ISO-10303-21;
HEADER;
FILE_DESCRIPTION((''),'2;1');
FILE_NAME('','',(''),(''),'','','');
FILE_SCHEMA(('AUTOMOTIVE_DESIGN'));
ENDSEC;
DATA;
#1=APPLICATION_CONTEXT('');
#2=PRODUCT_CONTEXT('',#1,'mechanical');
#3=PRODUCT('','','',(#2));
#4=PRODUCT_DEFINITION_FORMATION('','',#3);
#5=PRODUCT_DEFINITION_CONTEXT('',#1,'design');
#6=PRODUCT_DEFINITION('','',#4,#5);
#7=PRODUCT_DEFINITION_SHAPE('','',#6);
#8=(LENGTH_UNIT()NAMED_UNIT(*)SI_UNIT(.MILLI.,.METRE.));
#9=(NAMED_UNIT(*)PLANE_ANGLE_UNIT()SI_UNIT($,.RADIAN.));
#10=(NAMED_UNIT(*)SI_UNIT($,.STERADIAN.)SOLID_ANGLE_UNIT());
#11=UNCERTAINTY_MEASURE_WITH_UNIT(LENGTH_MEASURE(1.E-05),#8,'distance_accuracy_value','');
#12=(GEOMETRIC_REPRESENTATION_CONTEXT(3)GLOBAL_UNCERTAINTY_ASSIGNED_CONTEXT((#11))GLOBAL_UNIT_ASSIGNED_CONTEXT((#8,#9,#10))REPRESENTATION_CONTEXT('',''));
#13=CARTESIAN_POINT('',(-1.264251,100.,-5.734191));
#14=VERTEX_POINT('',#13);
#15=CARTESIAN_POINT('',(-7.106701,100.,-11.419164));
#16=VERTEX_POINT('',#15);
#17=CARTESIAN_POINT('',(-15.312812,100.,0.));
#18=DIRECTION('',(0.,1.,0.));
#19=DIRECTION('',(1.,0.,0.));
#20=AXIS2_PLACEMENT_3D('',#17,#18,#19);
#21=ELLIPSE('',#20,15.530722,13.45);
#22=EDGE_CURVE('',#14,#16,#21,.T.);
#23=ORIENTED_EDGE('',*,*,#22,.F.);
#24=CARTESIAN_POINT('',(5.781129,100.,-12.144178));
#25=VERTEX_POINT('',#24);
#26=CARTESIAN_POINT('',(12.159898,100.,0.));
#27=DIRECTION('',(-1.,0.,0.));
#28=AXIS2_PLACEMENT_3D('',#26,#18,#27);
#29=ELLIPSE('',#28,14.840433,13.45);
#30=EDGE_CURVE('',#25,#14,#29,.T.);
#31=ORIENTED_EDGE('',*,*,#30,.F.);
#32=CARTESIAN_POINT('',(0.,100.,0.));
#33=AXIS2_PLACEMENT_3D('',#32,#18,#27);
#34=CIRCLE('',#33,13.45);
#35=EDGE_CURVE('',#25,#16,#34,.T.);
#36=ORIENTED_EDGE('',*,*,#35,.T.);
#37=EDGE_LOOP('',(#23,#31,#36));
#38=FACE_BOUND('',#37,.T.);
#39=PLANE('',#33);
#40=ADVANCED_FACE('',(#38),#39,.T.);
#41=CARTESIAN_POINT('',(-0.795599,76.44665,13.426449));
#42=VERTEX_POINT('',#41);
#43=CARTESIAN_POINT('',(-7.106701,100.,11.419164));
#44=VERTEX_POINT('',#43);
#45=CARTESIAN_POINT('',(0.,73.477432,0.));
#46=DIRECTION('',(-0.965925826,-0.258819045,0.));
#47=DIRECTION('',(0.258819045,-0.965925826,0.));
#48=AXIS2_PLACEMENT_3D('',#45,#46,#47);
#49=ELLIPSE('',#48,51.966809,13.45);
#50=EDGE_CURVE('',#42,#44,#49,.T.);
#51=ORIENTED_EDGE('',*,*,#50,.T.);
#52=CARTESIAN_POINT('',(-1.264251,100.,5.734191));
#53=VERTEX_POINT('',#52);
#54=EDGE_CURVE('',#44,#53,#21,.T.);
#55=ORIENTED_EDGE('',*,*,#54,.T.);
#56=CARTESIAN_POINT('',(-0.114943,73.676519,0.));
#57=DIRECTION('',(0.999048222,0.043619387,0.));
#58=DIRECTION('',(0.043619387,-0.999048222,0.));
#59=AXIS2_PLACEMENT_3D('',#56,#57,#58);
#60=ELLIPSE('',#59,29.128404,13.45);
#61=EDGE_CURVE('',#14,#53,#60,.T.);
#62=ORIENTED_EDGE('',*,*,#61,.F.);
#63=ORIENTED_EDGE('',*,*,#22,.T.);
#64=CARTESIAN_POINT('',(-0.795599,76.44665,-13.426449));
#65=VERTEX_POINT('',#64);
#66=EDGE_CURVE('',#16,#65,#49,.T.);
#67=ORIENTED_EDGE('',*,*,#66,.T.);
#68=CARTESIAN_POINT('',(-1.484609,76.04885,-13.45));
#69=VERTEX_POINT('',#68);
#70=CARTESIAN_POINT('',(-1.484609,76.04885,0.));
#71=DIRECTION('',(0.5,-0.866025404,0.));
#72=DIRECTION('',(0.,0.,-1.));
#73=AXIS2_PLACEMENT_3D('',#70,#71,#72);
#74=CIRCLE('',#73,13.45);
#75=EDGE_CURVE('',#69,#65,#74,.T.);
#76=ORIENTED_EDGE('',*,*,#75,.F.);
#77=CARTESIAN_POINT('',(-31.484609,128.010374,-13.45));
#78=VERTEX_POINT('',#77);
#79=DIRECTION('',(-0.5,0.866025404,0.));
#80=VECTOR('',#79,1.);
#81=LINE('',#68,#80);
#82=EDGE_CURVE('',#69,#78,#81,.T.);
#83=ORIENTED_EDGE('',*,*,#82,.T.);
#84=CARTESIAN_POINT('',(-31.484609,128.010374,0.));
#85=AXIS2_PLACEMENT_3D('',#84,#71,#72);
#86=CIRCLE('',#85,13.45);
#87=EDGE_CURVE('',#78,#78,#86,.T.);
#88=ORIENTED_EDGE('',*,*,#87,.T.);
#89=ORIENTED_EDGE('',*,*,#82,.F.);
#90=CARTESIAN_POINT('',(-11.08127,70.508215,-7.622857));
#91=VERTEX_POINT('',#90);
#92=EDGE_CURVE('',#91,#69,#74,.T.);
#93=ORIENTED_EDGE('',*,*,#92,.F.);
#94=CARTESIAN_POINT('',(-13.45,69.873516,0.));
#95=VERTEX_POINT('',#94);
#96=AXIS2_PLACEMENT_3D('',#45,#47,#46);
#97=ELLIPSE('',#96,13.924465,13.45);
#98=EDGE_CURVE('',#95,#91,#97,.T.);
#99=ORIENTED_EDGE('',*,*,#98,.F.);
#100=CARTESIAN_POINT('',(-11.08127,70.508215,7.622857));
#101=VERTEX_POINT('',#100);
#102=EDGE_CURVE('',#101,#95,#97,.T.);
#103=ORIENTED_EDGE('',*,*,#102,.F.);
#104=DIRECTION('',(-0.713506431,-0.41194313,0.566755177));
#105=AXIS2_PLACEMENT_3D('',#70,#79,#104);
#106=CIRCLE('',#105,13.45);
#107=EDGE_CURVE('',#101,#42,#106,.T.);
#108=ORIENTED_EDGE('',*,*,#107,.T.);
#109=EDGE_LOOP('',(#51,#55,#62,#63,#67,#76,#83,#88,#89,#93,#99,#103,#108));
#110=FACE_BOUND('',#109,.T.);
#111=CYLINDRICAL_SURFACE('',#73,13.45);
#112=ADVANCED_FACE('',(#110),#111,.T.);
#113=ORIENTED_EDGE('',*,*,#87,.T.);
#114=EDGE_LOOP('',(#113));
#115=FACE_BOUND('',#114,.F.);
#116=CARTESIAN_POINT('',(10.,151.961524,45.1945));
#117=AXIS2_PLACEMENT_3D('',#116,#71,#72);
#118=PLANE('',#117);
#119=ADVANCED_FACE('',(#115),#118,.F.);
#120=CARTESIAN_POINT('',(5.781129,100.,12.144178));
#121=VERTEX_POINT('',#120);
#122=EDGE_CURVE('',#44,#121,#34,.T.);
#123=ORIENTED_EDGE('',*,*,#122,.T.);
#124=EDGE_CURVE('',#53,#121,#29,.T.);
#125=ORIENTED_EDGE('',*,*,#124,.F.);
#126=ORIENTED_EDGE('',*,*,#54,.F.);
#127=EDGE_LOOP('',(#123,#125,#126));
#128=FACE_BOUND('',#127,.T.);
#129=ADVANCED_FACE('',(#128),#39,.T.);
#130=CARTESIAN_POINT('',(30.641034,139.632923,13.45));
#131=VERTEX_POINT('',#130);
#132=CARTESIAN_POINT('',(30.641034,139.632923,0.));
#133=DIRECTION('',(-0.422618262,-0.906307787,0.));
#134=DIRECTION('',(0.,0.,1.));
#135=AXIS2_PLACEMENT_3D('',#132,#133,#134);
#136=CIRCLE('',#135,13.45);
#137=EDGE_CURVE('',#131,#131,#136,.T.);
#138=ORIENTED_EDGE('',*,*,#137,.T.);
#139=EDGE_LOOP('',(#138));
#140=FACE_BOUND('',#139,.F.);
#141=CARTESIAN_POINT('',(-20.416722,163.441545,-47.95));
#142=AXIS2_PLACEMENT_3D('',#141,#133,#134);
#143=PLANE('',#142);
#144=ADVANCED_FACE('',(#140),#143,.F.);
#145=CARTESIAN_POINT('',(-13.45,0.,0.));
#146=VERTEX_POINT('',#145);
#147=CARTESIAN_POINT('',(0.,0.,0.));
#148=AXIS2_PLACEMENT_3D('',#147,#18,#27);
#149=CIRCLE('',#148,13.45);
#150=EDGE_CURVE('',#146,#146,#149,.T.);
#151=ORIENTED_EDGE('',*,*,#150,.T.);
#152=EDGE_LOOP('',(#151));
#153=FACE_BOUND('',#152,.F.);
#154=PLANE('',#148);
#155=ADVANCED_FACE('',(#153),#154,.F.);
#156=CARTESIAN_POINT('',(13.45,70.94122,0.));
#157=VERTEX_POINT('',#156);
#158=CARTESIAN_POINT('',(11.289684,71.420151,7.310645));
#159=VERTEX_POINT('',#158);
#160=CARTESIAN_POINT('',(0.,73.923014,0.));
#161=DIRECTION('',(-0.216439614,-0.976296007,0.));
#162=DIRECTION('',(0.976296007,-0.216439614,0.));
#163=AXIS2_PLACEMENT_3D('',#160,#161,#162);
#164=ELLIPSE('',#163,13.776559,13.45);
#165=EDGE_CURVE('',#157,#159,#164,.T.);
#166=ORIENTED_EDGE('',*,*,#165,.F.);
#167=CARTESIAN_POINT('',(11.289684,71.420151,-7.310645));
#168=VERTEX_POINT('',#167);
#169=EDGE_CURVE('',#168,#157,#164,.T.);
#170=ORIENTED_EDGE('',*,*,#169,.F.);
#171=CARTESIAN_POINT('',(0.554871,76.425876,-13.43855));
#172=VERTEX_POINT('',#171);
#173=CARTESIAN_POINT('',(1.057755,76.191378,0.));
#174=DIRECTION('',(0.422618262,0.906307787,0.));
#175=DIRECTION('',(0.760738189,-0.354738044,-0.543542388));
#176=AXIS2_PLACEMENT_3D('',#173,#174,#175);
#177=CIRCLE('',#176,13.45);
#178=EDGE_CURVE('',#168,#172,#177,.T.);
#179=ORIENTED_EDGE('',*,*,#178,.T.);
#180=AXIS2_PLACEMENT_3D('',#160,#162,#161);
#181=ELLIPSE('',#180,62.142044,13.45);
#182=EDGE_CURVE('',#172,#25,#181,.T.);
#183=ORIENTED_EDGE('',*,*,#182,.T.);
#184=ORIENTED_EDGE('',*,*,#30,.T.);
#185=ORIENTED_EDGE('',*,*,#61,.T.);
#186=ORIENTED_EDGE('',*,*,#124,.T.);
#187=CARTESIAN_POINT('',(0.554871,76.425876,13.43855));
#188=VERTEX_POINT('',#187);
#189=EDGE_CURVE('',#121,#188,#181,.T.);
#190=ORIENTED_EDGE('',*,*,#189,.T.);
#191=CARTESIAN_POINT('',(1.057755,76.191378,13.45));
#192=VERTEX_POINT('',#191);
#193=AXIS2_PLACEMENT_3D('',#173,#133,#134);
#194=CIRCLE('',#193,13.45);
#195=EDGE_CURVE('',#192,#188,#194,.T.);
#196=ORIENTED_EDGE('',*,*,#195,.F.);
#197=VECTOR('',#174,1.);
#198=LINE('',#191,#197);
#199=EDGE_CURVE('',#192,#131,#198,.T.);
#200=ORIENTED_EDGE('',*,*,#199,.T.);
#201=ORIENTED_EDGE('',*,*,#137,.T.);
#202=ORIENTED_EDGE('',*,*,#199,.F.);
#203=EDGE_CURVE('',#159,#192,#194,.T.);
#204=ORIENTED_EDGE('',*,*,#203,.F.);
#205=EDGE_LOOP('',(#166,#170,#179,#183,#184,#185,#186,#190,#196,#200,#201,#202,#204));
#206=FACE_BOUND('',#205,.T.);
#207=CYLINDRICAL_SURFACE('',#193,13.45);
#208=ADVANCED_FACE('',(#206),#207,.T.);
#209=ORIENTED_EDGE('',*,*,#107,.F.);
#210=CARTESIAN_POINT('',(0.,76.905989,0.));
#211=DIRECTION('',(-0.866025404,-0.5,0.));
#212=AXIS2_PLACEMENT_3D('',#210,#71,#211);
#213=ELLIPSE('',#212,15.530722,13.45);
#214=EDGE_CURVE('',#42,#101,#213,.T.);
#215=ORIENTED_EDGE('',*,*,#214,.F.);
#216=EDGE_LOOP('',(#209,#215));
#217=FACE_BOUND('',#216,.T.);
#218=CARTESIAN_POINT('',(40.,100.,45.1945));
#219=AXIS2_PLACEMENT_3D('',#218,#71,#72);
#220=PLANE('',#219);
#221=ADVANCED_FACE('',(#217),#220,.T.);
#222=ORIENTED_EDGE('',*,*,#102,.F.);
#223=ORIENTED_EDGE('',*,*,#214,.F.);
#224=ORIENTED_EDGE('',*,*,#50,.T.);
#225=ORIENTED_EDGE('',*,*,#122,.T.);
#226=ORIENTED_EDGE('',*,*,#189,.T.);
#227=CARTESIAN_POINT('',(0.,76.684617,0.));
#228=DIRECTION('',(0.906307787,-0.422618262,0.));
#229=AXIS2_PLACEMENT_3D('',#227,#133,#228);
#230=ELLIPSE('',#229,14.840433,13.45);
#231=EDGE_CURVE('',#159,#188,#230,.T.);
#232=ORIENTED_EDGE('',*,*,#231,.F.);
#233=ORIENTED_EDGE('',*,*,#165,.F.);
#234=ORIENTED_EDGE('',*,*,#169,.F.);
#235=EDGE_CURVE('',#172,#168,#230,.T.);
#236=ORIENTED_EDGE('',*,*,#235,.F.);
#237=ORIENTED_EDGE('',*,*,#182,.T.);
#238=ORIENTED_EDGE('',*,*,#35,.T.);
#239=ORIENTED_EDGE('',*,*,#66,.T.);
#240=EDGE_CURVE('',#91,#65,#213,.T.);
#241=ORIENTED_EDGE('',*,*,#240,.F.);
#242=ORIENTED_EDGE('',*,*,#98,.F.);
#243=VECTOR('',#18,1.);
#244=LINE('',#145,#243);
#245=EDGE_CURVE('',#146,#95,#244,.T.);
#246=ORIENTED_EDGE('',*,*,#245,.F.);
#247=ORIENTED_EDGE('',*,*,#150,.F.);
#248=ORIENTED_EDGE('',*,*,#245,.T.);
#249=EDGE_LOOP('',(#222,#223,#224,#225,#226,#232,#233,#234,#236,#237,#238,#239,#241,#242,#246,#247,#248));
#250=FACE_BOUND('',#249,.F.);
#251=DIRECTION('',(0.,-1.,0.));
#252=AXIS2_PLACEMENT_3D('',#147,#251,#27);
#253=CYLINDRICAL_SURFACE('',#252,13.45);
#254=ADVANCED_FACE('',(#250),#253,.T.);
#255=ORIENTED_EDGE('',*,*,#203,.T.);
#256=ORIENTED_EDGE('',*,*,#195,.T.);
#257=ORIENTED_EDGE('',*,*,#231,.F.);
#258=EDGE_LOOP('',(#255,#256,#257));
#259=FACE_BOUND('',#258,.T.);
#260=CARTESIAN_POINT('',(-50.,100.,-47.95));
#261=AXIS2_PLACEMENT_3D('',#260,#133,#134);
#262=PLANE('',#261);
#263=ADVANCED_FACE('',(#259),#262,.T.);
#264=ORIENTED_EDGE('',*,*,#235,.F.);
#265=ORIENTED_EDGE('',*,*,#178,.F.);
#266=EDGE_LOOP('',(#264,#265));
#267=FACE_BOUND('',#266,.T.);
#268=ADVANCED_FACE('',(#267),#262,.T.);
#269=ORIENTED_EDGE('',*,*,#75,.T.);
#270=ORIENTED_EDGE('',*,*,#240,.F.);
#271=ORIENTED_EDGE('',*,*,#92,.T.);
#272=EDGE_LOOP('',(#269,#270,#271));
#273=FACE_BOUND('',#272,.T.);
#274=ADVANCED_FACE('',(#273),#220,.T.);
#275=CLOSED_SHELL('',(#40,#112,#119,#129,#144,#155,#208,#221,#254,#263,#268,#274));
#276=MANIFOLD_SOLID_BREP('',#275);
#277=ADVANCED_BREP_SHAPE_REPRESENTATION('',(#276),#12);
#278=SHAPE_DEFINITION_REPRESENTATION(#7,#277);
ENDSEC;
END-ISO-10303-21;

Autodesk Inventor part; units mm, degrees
ref_plane "YZ Plane" through (0, 0, 0) normal (1, 0, 0) x (0, 1, 0)
sketch "草图1" plane through (0, 0, 0) normal (0, 1, 0) x (-1, 0, 0)
  circle A0 centre (0, 0) radius 13.45
  dimension "d0" = 26.9
extrude "拉伸1" add sketch "草图1" along normal blind 100
sketch "草图2" plane through (0, 100, 0) normal (0, 1, 0) x (1, 0, 0)
  line L0 (40, -45.1945) -> (40, 45.1945)
  line L1 (0, 0) -> (40, 0) construction
  line L2 (-50, 47.95) -> (-50, -45.1945)
  dimension "d3" = 40
  dimension "d7" = 50
ref_plane "工作平面1" through (40, 100, 45.1945) normal (0.5, -0.866, 0) x (0, 0, -1)
sketch "草图3" plane through (40, 100, 45.1945) normal (0.5, -0.866, 0) x (0, 0, -1)
  circle A0 centre (45.1945, -47.9023) radius 13.45
  line L0 (31.7445, -84.641) -> (31.7445, -34.641) projected
  line L1 (58.6445, -84.641) -> (58.6445, -34.641) projected
  point P0 (45.1945, -84.641)
extrude "拉伸2" add sketch "草图3" against normal blind 60
ref_plane "工作平面2" through (-50, 100, -47.95) normal (-0.4226, -0.9063, 0) x (0, 0, 1)
sketch "草图4" plane through (-50, 100, -47.95) normal (-0.4226, -0.9063, 0) x (0, 0, 1)
  circle A0 centre (47.95, -56.336) radius 13.45
  line L0 (61.4, -87.5772) -> (61.4, -45.3154) projected
  line L1 (34.5, -87.5772) -> (34.5, -45.3154) projected
  point P0 (47.95, -87.5772)
extrude "拉伸3" add sketch "草图4" against normal blind 70
properties part number "珊瑚" material "聚苯乙烯"
